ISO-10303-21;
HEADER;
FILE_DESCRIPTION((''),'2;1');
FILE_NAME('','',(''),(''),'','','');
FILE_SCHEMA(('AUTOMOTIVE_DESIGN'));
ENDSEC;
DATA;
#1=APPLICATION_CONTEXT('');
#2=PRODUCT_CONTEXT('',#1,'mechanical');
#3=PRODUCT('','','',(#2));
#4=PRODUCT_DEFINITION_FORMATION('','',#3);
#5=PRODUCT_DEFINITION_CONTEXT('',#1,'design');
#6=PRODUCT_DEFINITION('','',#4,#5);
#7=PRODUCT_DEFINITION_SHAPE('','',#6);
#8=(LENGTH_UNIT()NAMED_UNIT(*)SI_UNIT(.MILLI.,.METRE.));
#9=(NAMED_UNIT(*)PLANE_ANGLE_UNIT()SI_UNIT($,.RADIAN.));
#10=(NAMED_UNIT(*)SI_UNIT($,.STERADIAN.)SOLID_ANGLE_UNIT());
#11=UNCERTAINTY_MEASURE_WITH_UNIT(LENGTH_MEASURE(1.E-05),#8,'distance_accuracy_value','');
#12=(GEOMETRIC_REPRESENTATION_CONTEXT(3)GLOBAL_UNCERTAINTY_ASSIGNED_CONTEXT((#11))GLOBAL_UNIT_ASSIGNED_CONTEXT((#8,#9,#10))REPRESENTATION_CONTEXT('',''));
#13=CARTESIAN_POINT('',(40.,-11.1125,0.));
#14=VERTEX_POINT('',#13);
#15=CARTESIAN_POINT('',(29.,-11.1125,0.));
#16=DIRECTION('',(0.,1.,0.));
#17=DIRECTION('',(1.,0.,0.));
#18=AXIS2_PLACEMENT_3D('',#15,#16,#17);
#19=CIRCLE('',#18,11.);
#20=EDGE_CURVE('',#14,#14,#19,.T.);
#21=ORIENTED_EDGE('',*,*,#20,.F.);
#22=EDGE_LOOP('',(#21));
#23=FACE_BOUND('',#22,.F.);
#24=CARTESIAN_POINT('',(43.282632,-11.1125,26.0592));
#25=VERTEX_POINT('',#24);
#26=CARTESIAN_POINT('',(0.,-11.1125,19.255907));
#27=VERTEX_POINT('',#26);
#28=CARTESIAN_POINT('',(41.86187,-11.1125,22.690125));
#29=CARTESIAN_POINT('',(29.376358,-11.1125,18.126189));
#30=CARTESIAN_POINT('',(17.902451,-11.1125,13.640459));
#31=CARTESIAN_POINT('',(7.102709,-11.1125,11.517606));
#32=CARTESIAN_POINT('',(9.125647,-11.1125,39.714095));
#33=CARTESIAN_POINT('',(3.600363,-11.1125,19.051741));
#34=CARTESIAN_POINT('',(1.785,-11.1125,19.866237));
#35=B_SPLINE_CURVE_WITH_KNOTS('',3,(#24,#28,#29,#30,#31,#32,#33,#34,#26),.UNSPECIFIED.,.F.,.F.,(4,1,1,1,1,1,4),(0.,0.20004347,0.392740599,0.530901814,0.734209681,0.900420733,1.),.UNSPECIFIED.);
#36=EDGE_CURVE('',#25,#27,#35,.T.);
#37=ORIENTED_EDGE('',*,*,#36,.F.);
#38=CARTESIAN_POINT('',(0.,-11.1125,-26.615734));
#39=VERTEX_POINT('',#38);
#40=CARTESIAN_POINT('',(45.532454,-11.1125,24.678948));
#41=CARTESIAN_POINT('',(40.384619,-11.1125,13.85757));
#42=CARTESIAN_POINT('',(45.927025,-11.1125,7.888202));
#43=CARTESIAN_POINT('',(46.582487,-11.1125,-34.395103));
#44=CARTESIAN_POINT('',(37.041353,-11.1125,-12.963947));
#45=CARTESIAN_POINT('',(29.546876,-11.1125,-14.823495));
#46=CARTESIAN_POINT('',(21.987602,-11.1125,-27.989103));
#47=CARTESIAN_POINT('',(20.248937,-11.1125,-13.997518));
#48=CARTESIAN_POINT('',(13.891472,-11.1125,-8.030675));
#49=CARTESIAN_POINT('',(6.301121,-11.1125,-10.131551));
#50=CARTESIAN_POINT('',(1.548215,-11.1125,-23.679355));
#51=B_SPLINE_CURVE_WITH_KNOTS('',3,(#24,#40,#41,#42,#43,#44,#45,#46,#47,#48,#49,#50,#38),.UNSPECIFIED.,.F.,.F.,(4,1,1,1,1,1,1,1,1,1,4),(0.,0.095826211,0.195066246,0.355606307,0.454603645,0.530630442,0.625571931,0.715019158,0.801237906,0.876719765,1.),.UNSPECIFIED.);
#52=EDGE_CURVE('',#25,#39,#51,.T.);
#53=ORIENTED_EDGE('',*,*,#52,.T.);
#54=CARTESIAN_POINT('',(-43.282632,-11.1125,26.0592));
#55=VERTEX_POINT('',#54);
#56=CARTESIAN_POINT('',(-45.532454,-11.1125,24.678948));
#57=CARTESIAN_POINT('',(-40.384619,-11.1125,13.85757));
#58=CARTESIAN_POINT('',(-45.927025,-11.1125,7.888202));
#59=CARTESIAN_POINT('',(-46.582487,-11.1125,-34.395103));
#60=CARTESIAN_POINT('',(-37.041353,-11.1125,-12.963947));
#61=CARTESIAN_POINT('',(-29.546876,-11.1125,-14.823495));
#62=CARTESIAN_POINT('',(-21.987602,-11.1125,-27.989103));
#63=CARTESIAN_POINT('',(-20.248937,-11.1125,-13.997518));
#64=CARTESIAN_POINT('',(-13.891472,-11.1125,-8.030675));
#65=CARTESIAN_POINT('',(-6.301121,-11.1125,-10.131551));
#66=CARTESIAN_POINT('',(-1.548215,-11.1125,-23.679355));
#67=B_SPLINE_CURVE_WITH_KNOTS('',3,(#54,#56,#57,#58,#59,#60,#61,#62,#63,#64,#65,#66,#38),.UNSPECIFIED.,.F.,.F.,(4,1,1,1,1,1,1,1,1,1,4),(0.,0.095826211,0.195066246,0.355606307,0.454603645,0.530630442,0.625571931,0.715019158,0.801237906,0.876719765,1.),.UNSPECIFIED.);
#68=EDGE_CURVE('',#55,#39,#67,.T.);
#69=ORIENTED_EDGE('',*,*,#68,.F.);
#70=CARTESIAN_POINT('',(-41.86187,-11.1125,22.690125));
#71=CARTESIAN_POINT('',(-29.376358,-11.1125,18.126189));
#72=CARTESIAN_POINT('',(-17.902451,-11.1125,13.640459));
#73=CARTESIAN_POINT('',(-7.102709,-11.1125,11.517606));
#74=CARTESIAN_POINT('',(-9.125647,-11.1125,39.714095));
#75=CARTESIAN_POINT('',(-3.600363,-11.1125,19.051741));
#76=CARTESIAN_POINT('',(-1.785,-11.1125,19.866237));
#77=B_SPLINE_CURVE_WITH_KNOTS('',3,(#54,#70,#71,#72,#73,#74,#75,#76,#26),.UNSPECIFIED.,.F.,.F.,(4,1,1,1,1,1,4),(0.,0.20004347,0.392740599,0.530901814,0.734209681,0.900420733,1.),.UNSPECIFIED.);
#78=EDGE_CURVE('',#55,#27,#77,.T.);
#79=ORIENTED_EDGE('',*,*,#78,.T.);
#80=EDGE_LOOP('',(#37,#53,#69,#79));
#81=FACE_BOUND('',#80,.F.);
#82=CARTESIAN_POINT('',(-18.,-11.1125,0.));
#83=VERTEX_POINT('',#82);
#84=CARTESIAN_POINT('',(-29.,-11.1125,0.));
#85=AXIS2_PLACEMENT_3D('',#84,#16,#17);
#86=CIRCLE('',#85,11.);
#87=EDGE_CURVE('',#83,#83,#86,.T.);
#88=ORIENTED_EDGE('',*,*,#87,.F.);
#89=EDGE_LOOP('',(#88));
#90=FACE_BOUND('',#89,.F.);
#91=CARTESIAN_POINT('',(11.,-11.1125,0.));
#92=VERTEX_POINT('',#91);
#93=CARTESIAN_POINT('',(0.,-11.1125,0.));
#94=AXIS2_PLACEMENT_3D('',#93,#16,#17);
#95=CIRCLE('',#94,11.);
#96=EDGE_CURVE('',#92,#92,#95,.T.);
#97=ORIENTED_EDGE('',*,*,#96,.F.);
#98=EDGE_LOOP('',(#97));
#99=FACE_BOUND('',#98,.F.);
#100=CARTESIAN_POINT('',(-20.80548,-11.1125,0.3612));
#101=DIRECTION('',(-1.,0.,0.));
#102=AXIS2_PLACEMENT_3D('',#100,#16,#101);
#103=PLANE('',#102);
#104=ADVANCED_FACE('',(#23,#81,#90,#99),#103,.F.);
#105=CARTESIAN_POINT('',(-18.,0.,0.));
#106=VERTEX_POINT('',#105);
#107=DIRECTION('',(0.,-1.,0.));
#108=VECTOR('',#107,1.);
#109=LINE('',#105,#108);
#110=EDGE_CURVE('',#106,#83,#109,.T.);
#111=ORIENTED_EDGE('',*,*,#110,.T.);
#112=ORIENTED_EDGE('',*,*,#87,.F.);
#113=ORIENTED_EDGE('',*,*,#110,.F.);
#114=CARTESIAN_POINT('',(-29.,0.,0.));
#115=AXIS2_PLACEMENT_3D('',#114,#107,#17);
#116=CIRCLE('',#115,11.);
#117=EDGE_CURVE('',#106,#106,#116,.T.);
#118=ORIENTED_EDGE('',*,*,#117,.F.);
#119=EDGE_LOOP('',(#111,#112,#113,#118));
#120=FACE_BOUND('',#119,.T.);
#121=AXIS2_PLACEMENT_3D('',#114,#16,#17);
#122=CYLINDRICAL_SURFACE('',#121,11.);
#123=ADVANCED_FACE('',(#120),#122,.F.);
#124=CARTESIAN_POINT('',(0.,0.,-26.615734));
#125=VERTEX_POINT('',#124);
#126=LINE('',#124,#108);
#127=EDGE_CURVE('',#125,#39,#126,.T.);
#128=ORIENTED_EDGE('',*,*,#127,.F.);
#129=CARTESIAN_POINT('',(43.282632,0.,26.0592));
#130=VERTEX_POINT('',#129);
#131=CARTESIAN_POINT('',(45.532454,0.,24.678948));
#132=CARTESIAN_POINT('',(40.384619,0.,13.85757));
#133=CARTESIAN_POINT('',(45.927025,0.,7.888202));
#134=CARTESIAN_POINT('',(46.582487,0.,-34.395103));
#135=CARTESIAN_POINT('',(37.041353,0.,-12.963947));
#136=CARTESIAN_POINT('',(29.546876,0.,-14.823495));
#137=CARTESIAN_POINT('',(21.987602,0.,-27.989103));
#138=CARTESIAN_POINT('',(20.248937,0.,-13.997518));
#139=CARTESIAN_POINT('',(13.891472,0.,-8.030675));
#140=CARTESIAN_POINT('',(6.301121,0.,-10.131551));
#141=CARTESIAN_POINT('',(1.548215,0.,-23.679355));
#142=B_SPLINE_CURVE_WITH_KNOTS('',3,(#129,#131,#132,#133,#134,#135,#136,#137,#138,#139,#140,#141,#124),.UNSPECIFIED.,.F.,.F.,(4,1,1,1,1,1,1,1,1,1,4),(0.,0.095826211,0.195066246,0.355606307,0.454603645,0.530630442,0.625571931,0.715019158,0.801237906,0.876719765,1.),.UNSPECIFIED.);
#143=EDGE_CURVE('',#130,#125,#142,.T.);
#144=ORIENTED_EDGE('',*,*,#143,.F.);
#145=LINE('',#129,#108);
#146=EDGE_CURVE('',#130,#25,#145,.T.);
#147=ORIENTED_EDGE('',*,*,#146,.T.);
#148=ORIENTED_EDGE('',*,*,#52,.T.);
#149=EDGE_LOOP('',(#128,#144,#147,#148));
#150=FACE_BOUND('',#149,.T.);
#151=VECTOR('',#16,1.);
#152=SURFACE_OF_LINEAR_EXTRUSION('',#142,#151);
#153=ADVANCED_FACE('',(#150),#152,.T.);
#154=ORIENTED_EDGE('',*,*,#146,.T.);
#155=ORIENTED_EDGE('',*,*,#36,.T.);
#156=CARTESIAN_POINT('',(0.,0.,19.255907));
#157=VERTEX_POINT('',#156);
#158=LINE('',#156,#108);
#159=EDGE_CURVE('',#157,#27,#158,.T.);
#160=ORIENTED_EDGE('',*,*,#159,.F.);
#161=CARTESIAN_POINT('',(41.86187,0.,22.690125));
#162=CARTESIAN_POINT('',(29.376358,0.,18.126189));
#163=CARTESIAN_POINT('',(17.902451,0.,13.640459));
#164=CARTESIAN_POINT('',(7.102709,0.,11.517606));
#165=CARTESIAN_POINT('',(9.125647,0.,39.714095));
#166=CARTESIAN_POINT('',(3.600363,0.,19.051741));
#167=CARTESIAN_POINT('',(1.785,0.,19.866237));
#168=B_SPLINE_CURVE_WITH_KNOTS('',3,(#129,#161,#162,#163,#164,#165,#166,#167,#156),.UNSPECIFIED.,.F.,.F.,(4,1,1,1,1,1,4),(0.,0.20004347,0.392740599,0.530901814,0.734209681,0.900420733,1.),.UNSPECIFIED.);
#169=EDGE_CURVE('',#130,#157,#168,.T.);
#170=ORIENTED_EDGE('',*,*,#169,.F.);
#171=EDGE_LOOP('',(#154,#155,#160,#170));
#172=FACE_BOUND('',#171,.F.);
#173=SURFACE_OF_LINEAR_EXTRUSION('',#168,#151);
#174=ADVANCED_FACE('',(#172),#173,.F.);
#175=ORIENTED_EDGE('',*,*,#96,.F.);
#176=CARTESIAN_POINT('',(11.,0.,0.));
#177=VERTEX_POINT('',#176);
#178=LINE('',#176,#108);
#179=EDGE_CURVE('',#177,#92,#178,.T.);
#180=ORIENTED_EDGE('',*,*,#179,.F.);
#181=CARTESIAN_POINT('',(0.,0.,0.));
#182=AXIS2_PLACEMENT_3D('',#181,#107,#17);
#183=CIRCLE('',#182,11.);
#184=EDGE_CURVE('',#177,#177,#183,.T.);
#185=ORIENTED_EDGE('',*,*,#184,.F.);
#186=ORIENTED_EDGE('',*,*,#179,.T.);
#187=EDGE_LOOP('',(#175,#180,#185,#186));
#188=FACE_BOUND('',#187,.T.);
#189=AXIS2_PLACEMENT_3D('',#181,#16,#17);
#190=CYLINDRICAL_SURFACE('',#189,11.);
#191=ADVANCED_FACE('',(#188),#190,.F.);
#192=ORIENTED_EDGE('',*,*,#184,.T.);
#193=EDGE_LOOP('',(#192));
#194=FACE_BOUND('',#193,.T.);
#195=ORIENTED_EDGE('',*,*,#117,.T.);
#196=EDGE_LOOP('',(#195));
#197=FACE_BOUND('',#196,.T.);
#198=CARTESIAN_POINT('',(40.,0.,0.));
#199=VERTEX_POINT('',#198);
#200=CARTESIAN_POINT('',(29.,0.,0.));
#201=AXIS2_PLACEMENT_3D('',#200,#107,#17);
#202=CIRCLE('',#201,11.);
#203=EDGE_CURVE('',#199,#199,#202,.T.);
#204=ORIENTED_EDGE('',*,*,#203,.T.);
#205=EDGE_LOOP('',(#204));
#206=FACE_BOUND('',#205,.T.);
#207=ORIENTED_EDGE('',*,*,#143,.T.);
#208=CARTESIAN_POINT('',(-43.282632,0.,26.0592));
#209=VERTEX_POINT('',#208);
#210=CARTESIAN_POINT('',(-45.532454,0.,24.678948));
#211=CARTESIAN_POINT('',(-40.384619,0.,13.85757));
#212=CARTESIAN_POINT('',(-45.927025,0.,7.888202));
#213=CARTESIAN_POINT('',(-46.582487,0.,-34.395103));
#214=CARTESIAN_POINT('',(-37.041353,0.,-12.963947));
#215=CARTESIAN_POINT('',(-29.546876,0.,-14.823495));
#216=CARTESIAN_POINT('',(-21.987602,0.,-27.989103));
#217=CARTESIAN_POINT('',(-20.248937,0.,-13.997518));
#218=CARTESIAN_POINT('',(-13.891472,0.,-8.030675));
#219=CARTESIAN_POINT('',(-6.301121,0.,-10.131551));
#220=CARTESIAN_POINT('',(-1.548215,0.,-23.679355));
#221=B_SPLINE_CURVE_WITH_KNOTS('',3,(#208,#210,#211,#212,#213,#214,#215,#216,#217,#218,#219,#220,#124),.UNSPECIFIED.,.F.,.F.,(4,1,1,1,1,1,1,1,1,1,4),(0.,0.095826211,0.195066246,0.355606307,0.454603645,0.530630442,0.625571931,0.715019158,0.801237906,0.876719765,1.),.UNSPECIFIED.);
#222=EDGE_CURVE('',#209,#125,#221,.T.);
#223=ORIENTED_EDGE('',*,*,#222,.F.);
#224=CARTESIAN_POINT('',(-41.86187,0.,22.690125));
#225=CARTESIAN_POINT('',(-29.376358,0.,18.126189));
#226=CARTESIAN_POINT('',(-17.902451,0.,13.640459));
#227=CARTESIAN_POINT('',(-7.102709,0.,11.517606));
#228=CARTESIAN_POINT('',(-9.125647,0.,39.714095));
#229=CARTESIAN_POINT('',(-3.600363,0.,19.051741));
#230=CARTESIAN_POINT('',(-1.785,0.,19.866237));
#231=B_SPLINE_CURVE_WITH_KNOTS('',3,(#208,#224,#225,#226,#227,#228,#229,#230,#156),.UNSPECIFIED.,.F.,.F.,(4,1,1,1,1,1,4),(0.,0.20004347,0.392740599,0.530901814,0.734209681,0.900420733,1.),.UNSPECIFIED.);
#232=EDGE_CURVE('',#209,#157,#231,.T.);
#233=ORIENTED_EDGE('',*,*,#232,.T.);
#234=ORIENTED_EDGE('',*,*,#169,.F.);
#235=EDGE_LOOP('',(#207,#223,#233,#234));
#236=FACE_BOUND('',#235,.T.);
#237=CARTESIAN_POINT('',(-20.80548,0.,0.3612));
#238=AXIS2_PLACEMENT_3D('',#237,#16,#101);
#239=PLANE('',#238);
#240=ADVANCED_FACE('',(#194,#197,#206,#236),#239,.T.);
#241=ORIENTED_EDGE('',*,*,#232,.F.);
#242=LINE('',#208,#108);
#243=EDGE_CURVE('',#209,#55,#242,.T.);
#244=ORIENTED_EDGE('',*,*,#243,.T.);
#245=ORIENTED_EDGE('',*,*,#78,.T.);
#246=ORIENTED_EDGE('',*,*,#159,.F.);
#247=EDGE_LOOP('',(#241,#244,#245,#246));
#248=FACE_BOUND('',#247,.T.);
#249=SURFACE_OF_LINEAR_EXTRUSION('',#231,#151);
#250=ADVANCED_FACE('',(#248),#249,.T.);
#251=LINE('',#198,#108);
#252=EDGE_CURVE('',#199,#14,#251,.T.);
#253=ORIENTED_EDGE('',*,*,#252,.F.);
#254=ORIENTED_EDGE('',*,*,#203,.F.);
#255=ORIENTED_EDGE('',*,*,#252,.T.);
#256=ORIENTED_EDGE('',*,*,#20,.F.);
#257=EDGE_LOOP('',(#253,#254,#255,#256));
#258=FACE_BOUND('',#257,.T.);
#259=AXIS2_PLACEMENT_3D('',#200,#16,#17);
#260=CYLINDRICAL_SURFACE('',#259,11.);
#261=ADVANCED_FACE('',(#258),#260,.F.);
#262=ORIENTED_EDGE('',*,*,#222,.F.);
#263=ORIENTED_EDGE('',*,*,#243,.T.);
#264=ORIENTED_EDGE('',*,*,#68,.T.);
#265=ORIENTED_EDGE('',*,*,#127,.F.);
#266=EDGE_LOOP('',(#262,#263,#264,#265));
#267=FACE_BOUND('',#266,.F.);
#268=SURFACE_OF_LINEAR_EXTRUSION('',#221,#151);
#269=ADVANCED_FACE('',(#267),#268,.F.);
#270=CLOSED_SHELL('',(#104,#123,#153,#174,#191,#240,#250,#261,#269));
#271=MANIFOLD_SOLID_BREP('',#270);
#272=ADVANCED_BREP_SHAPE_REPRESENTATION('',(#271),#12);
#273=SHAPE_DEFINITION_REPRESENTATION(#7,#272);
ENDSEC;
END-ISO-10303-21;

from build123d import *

# Parameters (mm, degrees)
F1_DEPTH = 6.35
F3_SCALE = 1.75
F2_R     = 11
F4_DEPTH = 11.1135001


with BuildPart() as f1:
    # F0 (on Front) → F1 (new body)
    with BuildSketch(Plane.XZ):
        with BuildLine():
            add(Edge.make_bspline(
                [(-24.7329324484, 14.8909715936), (-23.9210684598, 12.9657857477), (-16.7864904723, 10.3578223177), (-10.2299722817, 7.7945481337), (-4.0586908393, 6.5814891318), (-5.2146553416, 22.6937684262), (-2.0573501445, 10.8867089168), (-1.0199998306, 11.3521354244), (0, 11.0033753693)],
                knots=[0, 0, 0, 0, 0.2000434702, 0.3927405992, 0.5309018142, 0.7342096815, 0.9004207333, 1, 1, 1, 1], degree=3))
            add(Edge.make_bspline(
                [(-24.7329324484, 14.8909715936), (-26.0185451481, 14.102255948), (-23.0769253459, 7.9186114516), (-26.244014063, 4.5075442265), (-26.6185640128, -19.6543446351), (-21.1664872681, -7.4079697484), (-16.8839292087, -8.4705684747), (-12.564344029, -15.9937730051), (-11.5708211544, -7.998581909), (-7.9379841528, -4.5889569238), (-3.6006404762, -5.7894574625), (-0.8846944078, -13.5310597416), (0, -15.2089911056)],
                knots=[0, 0, 0, 0, 0.0958262107, 0.195066246, 0.3556063074, 0.4546036446, 0.5306304417, 0.6255719305, 0.7150191579, 0.8012379058, 0.8767197649, 1, 1, 1, 1], degree=3))
            Line((0, -15.2089911056), (0, 11.0033753693))
        make_face()
        with BuildLine():
            add(Edge.make_bspline(
                [(24.7329324484, 14.8909715936), (23.9210684598, 12.9657857477), (16.7864904723, 10.3578223177), (10.2299722817, 7.7945481337), (4.0586908393, 6.5814891318), (5.2146553416, 22.6937684262), (2.0573501445, 10.8867089168), (1.0199998306, 11.3521354244), (0, 11.0033753693)],
                knots=[0, 0, 0, 0, 0.2000434702, 0.3927405992, 0.5309018142, 0.7342096815, 0.9004207333, 1, 1, 1, 1], degree=3))
            Line((0, 11.0033753693), (0, -15.2089911056))
            add(Edge.make_bspline(
                [(24.7329324484, 14.8909715936), (26.0185451481, 14.102255948), (23.0769253459, 7.9186114516), (26.244014063, 4.5075442265), (26.6185640128, -19.6543446351), (21.1664872681, -7.4079697484), (16.8839292087, -8.4705684747), (12.564344029, -15.9937730051), (11.5708211544, -7.998581909), (7.9379841528, -4.5889569238), (3.6006404762, -5.7894574625), (0.8846944078, -13.5310597416), (0, -15.2089911056)],
                knots=[0, 0, 0, 0, 0.0958262107, 0.195066246, 0.3556063074, 0.4546036446, 0.5306304417, 0.6255719305, 0.7150191579, 0.8012379058, 0.8767197649, 1, 1, 1, 1], degree=3))
        make_face()
    extrude(amount=F1_DEPTH)


with BuildPart() as f1_1:
    # F3: moved
    add(f1.part.scale(F3_SCALE))

    # F2 (on Front) → F4 (cut, through all)
    with BuildSketch(Plane.XZ):
        Circle(F2_R)
        with Locations((-29, 0)):
            Circle(F2_R)
        with Locations((29, 0)):
            Circle(F2_R)
    extrude(amount=F4_DEPTH, mode=Mode.SUBTRACT)


solid = f1_1.part
